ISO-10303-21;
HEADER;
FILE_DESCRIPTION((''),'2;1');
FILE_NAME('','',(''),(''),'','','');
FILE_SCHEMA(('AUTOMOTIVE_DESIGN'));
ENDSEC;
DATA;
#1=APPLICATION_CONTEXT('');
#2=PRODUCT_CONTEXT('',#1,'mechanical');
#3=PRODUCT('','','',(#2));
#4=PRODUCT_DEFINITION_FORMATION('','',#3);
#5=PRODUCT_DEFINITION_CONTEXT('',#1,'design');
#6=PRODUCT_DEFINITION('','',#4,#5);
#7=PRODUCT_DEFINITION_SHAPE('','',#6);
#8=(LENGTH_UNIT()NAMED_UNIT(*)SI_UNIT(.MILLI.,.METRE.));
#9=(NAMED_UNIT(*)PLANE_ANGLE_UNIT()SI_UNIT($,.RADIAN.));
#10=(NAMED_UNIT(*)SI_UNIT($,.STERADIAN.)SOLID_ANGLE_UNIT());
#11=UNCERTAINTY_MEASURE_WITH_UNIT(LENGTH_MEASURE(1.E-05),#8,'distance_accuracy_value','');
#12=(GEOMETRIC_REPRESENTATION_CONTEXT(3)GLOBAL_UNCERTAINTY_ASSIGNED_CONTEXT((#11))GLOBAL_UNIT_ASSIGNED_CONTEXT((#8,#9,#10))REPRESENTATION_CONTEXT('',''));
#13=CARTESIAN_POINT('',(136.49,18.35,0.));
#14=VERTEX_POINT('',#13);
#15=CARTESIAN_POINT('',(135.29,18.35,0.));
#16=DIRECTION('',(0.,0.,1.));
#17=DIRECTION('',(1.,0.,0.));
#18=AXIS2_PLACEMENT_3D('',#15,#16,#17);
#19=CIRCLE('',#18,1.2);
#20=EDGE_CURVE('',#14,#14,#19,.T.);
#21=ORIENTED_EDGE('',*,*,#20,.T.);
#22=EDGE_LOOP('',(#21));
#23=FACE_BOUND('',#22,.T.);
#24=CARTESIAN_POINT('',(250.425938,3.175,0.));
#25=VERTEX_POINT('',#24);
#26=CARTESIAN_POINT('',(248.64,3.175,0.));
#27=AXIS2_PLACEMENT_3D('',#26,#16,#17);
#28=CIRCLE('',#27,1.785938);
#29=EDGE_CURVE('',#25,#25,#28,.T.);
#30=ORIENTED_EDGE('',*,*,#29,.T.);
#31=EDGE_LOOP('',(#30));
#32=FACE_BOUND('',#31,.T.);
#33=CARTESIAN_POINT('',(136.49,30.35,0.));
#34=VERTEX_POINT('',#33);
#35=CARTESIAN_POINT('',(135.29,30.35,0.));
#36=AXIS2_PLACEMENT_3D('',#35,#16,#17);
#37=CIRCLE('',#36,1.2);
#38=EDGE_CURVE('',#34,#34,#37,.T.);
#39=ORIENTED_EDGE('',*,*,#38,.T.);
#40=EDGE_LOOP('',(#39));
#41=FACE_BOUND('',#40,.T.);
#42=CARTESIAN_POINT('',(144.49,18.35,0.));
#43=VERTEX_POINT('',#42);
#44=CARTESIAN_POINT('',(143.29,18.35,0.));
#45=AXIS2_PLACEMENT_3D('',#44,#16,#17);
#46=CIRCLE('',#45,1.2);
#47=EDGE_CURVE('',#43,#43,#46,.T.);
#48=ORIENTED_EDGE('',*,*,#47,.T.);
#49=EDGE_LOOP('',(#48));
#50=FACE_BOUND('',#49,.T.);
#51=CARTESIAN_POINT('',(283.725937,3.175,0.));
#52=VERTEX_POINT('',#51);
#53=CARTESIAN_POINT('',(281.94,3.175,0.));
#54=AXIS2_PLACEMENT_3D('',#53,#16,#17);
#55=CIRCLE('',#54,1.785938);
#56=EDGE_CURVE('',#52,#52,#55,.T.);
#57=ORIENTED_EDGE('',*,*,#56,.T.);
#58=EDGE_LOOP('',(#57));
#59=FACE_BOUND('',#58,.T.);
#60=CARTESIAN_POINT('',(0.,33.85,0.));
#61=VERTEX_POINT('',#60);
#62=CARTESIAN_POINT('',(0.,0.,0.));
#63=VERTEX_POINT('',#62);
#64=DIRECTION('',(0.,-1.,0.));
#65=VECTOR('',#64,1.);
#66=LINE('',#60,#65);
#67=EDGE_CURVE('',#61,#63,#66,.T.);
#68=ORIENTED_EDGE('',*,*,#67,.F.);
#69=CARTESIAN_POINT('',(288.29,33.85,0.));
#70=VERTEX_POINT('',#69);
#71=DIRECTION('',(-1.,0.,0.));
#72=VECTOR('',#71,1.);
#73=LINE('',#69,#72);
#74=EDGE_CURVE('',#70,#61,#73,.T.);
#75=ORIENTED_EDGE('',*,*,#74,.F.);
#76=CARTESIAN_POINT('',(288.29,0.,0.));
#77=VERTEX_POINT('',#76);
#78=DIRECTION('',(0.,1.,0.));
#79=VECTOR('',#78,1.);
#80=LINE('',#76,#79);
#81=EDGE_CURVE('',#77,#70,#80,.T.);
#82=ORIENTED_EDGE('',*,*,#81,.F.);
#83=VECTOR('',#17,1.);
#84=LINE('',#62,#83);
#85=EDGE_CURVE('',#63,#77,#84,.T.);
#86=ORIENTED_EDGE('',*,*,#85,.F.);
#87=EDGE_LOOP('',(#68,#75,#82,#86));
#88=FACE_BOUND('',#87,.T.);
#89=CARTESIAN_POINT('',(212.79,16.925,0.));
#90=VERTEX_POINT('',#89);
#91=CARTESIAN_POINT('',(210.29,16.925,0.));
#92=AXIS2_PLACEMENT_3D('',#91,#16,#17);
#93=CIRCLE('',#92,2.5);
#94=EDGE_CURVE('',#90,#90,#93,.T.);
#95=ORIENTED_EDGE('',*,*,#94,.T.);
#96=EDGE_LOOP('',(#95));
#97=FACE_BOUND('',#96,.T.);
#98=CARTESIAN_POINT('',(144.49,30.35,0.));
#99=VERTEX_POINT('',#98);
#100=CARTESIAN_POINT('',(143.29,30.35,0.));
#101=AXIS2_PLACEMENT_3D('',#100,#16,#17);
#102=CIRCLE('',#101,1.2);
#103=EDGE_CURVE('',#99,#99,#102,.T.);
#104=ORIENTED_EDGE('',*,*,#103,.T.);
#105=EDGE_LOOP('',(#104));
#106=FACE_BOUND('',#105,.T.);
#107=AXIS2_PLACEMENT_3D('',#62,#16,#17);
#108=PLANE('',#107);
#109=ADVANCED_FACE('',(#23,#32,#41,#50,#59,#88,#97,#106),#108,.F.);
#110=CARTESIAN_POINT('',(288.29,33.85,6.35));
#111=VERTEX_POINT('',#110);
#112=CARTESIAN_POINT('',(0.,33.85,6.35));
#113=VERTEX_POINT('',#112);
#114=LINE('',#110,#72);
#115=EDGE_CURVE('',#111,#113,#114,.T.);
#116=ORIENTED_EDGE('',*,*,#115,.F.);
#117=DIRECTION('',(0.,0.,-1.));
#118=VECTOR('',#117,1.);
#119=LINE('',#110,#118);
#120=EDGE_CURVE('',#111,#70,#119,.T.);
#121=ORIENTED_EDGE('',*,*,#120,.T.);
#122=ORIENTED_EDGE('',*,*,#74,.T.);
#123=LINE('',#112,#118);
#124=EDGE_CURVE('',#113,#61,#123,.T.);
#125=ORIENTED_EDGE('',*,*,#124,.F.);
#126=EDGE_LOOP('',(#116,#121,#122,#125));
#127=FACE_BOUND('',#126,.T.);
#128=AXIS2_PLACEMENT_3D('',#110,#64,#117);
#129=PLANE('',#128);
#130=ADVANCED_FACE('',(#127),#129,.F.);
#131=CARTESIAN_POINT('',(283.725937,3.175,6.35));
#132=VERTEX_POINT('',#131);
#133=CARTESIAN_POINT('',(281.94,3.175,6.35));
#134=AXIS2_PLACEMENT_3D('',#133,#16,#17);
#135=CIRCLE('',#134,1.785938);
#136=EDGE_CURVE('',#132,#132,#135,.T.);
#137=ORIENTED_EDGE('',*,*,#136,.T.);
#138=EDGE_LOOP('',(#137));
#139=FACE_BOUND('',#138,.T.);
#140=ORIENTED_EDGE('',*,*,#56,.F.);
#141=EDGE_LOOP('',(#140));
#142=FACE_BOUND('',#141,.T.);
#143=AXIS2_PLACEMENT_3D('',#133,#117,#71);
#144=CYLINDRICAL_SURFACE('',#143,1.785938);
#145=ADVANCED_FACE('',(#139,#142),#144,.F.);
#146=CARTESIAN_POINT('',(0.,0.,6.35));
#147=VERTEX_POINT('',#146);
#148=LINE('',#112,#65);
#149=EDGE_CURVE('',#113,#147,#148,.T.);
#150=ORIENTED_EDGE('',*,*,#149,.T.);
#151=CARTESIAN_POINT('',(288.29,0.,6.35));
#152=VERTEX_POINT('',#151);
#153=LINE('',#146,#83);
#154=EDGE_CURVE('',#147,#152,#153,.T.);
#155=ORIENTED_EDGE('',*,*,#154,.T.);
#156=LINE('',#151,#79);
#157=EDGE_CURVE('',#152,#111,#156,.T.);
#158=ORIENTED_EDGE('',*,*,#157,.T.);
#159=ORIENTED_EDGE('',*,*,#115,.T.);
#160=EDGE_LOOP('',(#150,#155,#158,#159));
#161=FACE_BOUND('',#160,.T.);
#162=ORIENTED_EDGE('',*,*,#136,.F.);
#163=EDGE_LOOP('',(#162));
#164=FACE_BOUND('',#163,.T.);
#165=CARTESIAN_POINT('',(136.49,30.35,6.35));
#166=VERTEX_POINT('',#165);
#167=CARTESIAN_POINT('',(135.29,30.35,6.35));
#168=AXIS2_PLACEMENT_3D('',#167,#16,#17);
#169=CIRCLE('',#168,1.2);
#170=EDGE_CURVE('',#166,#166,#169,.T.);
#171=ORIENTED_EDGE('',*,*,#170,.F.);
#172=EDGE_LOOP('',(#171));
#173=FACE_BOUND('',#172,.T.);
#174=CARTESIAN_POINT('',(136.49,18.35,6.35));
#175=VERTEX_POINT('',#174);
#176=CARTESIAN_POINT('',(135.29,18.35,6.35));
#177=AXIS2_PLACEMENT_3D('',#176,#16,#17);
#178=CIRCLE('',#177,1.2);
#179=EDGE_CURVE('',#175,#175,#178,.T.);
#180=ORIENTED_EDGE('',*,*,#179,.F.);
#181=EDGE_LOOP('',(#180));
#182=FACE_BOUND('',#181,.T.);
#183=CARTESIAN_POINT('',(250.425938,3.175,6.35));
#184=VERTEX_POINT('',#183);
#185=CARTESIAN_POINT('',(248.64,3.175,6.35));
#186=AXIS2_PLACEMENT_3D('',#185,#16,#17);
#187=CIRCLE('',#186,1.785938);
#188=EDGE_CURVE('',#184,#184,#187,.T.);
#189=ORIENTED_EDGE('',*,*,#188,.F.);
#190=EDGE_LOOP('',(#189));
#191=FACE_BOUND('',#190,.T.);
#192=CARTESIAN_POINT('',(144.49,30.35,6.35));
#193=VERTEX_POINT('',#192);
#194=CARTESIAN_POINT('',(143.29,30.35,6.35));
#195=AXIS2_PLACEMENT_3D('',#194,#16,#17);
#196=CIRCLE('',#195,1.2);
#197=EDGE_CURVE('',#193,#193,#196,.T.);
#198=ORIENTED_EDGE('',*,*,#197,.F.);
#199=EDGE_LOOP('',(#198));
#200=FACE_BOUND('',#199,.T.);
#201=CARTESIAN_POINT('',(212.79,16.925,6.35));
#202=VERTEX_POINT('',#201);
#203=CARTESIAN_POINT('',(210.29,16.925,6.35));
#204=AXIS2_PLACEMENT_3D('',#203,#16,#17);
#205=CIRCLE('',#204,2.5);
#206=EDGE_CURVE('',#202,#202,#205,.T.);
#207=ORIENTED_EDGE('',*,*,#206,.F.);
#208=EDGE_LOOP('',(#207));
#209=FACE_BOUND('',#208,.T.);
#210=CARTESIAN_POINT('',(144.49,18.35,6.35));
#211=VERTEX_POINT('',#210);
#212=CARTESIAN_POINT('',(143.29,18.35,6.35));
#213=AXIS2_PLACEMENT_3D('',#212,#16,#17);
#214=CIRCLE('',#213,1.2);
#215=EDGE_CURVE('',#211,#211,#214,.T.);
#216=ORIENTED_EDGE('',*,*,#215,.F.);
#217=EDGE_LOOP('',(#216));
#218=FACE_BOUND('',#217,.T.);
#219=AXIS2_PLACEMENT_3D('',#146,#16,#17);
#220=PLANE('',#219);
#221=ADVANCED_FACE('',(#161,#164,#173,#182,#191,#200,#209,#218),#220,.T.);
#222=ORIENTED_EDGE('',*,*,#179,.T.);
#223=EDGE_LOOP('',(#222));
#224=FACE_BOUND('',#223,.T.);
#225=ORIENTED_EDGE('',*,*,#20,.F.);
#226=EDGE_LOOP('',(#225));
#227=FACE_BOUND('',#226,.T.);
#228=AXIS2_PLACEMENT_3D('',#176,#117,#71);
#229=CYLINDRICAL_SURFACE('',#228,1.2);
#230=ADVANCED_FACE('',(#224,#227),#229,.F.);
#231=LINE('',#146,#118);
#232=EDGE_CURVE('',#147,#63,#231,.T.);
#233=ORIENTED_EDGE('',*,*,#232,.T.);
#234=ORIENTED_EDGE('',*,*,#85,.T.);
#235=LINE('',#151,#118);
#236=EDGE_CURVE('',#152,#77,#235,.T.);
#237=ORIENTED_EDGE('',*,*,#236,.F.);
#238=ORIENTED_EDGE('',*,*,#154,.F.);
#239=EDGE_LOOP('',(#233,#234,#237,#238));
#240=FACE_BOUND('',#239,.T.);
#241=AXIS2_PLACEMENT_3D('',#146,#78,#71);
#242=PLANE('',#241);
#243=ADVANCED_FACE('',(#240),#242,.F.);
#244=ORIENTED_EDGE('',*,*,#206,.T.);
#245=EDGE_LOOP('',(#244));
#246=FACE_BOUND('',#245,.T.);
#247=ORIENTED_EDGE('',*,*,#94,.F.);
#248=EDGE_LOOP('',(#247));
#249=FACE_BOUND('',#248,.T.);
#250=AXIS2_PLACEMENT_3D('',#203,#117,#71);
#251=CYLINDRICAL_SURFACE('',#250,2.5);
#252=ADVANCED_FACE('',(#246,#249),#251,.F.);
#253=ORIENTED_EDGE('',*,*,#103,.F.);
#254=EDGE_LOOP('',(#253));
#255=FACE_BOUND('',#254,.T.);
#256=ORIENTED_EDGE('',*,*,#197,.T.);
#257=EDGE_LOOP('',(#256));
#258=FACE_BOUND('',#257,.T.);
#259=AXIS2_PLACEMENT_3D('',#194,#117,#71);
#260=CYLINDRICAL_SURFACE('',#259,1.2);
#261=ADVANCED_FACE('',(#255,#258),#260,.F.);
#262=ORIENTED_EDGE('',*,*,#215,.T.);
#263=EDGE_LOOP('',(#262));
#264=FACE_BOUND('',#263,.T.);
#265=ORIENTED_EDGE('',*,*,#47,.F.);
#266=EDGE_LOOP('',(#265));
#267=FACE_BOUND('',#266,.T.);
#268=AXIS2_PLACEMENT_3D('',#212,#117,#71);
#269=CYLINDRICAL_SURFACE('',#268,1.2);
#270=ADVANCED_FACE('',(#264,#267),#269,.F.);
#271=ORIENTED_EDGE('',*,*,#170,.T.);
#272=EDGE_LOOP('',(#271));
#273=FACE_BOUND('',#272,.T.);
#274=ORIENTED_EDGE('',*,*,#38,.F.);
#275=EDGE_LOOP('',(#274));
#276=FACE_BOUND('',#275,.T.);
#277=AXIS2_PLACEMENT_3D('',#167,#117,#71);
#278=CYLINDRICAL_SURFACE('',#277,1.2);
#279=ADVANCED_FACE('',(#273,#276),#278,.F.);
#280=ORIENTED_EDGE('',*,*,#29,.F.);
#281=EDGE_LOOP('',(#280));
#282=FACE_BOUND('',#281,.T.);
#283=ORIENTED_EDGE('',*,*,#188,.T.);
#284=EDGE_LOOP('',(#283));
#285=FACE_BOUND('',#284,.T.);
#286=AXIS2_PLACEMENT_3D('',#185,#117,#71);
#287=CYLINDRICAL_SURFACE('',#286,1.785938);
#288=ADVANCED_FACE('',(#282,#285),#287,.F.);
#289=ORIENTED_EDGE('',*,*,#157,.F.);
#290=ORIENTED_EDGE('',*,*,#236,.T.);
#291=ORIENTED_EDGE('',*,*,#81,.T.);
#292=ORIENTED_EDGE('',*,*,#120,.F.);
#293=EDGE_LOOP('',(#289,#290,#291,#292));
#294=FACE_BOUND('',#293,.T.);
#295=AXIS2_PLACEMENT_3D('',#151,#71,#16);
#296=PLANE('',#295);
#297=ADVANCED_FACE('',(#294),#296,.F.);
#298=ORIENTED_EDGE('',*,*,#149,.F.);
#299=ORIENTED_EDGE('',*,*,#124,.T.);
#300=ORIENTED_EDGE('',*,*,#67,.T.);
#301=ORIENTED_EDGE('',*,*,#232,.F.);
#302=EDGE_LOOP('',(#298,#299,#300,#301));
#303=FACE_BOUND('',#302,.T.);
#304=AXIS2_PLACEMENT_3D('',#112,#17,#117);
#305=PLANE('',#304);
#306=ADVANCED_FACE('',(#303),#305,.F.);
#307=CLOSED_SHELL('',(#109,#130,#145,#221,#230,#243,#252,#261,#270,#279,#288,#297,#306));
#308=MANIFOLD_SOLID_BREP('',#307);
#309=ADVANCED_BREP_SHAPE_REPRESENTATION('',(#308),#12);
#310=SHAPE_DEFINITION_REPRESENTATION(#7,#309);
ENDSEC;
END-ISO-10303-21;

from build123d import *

# Parameters (mm, degrees)
SKETCH1_W           = 288.29
SKETCH1_H           = 33.85
SKETCH1_R           = 1.7859375
SKETCH1_R_2         = 2.5
SKETCH1_R_3         = 1.2
BOSS_EXTRUDE1_DEPTH = 6.35


with BuildPart() as part:
    # Sketch1 → Boss-Extrude1 (new body)
    with BuildSketch(Plane.XY):
        with Locations((144.145, 16.925)):
            Rectangle(SKETCH1_W, SKETCH1_H)
        with Locations((281.94, 3.175)):
            Circle(SKETCH1_R, mode=Mode.SUBTRACT)
        with Locations((210.29, 16.925)):
            Circle(SKETCH1_R_2, mode=Mode.SUBTRACT)
        with Locations((135.29, 30.35)):
            Circle(SKETCH1_R_3, mode=Mode.SUBTRACT)
        with Locations((135.29, 18.35)):
            Circle(SKETCH1_R_3, mode=Mode.SUBTRACT)
        with Locations((143.29, 18.35)):
            Circle(SKETCH1_R_3, mode=Mode.SUBTRACT)
        with Locations((143.29, 30.35)):
            Circle(SKETCH1_R_3, mode=Mode.SUBTRACT)
        with Locations((248.64, 3.175)):
            Circle(SKETCH1_R, mode=Mode.SUBTRACT)
    extrude(amount=BOSS_EXTRUDE1_DEPTH)


solid = part.part
